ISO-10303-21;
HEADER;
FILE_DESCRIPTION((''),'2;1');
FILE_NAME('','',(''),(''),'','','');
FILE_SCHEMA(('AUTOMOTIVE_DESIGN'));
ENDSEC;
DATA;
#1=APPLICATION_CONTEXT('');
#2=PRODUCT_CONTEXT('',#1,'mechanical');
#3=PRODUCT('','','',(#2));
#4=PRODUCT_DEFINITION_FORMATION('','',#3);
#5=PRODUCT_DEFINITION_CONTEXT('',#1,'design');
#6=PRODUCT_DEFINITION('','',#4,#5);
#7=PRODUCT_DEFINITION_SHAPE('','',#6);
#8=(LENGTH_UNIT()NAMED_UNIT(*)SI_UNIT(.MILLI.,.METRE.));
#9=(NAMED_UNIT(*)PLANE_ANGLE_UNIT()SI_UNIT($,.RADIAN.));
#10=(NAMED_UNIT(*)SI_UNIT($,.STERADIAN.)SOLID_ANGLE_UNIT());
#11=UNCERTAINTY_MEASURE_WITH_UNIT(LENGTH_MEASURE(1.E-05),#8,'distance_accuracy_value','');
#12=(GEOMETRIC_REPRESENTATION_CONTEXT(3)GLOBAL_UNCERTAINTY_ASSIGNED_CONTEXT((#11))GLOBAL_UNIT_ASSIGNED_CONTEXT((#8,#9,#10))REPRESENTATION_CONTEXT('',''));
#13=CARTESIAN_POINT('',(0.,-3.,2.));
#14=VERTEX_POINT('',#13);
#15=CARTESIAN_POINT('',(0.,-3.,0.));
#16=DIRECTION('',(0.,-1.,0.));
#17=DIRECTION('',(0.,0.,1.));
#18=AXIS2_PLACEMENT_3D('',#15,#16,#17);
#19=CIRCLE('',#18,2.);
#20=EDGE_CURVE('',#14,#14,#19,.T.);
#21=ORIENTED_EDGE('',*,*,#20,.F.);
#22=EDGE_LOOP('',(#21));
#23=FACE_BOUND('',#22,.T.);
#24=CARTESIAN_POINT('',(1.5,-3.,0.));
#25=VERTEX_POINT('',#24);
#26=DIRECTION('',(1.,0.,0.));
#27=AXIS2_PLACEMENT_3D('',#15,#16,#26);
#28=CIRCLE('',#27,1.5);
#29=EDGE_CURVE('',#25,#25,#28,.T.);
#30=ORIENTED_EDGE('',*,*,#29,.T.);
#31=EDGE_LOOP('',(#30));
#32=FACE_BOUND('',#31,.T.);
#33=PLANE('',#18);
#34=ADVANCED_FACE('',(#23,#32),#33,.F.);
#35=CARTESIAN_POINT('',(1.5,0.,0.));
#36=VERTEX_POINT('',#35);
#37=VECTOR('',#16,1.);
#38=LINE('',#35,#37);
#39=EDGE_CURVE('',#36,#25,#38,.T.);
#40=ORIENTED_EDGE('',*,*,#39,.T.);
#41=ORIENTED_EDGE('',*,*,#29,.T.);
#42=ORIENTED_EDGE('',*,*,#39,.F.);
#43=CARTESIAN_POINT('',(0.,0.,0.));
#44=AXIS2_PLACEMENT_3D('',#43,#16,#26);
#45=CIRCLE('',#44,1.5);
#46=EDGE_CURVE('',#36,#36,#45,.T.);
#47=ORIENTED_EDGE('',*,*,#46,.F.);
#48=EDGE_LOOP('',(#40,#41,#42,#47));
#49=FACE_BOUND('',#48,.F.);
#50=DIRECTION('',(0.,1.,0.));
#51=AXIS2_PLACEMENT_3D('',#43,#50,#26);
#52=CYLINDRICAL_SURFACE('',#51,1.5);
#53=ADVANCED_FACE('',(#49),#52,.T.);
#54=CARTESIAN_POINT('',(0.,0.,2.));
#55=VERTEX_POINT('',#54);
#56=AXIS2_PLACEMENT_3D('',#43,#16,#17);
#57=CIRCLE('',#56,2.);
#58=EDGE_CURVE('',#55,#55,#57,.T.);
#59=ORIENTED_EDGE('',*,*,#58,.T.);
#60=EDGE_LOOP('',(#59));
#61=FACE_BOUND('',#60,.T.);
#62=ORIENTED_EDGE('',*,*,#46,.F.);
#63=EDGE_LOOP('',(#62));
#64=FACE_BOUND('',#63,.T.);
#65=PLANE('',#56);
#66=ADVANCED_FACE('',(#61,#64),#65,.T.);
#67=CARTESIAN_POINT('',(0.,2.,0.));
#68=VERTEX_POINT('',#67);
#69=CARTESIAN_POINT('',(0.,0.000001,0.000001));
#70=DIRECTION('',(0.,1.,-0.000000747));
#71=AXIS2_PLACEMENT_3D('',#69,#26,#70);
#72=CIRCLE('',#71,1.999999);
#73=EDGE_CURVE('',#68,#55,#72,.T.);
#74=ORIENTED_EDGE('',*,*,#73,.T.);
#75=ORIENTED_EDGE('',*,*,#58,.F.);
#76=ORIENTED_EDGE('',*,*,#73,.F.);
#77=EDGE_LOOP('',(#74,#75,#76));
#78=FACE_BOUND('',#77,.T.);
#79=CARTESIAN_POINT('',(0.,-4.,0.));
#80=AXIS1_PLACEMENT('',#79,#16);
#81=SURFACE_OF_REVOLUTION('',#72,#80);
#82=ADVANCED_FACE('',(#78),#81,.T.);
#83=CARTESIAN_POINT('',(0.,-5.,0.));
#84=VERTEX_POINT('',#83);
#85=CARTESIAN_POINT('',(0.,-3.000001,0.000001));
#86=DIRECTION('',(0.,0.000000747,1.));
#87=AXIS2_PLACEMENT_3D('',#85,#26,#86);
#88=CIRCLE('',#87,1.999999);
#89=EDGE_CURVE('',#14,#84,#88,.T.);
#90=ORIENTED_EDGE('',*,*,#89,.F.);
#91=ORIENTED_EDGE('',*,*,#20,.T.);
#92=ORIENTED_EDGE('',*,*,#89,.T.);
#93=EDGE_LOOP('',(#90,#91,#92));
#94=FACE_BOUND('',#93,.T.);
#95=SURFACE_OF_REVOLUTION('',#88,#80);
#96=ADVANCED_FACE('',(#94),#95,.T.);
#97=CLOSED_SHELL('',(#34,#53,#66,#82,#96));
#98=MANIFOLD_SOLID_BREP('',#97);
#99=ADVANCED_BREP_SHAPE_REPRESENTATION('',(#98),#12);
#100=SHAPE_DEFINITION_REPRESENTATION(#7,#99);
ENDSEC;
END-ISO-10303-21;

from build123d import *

# Parameters (mm, degrees)
F0_R     = 1.5
F1_DEPTH = 3


with BuildPart() as f1:
    # F0 (on Front) → F1 (new body)
    with BuildSketch(Plane.XZ):
        Circle(F0_R)
    extrude(amount=F1_DEPTH)

    # F2 (on Right) → F3 (revolve)
    with BuildSketch(Plane.YZ):
        with BuildLine():
            Line((0, 2), (0, 0))
            Line((0, 0), (2, 0))
            ThreePointArc((2, 0), (1.414214, 1.414214), (0, 2))
        make_face()
        with BuildLine():
            Line((-5, 0), (-3, 0))
            Line((-3, 0), (-3, 2))
            ThreePointArc((-3, 2), (-4.414214, 1.414214), (-5, 0))
        make_face()
    revolve(axis=Axis((0, -4, 0), (0, -1, 0)))


solid = f1.part
